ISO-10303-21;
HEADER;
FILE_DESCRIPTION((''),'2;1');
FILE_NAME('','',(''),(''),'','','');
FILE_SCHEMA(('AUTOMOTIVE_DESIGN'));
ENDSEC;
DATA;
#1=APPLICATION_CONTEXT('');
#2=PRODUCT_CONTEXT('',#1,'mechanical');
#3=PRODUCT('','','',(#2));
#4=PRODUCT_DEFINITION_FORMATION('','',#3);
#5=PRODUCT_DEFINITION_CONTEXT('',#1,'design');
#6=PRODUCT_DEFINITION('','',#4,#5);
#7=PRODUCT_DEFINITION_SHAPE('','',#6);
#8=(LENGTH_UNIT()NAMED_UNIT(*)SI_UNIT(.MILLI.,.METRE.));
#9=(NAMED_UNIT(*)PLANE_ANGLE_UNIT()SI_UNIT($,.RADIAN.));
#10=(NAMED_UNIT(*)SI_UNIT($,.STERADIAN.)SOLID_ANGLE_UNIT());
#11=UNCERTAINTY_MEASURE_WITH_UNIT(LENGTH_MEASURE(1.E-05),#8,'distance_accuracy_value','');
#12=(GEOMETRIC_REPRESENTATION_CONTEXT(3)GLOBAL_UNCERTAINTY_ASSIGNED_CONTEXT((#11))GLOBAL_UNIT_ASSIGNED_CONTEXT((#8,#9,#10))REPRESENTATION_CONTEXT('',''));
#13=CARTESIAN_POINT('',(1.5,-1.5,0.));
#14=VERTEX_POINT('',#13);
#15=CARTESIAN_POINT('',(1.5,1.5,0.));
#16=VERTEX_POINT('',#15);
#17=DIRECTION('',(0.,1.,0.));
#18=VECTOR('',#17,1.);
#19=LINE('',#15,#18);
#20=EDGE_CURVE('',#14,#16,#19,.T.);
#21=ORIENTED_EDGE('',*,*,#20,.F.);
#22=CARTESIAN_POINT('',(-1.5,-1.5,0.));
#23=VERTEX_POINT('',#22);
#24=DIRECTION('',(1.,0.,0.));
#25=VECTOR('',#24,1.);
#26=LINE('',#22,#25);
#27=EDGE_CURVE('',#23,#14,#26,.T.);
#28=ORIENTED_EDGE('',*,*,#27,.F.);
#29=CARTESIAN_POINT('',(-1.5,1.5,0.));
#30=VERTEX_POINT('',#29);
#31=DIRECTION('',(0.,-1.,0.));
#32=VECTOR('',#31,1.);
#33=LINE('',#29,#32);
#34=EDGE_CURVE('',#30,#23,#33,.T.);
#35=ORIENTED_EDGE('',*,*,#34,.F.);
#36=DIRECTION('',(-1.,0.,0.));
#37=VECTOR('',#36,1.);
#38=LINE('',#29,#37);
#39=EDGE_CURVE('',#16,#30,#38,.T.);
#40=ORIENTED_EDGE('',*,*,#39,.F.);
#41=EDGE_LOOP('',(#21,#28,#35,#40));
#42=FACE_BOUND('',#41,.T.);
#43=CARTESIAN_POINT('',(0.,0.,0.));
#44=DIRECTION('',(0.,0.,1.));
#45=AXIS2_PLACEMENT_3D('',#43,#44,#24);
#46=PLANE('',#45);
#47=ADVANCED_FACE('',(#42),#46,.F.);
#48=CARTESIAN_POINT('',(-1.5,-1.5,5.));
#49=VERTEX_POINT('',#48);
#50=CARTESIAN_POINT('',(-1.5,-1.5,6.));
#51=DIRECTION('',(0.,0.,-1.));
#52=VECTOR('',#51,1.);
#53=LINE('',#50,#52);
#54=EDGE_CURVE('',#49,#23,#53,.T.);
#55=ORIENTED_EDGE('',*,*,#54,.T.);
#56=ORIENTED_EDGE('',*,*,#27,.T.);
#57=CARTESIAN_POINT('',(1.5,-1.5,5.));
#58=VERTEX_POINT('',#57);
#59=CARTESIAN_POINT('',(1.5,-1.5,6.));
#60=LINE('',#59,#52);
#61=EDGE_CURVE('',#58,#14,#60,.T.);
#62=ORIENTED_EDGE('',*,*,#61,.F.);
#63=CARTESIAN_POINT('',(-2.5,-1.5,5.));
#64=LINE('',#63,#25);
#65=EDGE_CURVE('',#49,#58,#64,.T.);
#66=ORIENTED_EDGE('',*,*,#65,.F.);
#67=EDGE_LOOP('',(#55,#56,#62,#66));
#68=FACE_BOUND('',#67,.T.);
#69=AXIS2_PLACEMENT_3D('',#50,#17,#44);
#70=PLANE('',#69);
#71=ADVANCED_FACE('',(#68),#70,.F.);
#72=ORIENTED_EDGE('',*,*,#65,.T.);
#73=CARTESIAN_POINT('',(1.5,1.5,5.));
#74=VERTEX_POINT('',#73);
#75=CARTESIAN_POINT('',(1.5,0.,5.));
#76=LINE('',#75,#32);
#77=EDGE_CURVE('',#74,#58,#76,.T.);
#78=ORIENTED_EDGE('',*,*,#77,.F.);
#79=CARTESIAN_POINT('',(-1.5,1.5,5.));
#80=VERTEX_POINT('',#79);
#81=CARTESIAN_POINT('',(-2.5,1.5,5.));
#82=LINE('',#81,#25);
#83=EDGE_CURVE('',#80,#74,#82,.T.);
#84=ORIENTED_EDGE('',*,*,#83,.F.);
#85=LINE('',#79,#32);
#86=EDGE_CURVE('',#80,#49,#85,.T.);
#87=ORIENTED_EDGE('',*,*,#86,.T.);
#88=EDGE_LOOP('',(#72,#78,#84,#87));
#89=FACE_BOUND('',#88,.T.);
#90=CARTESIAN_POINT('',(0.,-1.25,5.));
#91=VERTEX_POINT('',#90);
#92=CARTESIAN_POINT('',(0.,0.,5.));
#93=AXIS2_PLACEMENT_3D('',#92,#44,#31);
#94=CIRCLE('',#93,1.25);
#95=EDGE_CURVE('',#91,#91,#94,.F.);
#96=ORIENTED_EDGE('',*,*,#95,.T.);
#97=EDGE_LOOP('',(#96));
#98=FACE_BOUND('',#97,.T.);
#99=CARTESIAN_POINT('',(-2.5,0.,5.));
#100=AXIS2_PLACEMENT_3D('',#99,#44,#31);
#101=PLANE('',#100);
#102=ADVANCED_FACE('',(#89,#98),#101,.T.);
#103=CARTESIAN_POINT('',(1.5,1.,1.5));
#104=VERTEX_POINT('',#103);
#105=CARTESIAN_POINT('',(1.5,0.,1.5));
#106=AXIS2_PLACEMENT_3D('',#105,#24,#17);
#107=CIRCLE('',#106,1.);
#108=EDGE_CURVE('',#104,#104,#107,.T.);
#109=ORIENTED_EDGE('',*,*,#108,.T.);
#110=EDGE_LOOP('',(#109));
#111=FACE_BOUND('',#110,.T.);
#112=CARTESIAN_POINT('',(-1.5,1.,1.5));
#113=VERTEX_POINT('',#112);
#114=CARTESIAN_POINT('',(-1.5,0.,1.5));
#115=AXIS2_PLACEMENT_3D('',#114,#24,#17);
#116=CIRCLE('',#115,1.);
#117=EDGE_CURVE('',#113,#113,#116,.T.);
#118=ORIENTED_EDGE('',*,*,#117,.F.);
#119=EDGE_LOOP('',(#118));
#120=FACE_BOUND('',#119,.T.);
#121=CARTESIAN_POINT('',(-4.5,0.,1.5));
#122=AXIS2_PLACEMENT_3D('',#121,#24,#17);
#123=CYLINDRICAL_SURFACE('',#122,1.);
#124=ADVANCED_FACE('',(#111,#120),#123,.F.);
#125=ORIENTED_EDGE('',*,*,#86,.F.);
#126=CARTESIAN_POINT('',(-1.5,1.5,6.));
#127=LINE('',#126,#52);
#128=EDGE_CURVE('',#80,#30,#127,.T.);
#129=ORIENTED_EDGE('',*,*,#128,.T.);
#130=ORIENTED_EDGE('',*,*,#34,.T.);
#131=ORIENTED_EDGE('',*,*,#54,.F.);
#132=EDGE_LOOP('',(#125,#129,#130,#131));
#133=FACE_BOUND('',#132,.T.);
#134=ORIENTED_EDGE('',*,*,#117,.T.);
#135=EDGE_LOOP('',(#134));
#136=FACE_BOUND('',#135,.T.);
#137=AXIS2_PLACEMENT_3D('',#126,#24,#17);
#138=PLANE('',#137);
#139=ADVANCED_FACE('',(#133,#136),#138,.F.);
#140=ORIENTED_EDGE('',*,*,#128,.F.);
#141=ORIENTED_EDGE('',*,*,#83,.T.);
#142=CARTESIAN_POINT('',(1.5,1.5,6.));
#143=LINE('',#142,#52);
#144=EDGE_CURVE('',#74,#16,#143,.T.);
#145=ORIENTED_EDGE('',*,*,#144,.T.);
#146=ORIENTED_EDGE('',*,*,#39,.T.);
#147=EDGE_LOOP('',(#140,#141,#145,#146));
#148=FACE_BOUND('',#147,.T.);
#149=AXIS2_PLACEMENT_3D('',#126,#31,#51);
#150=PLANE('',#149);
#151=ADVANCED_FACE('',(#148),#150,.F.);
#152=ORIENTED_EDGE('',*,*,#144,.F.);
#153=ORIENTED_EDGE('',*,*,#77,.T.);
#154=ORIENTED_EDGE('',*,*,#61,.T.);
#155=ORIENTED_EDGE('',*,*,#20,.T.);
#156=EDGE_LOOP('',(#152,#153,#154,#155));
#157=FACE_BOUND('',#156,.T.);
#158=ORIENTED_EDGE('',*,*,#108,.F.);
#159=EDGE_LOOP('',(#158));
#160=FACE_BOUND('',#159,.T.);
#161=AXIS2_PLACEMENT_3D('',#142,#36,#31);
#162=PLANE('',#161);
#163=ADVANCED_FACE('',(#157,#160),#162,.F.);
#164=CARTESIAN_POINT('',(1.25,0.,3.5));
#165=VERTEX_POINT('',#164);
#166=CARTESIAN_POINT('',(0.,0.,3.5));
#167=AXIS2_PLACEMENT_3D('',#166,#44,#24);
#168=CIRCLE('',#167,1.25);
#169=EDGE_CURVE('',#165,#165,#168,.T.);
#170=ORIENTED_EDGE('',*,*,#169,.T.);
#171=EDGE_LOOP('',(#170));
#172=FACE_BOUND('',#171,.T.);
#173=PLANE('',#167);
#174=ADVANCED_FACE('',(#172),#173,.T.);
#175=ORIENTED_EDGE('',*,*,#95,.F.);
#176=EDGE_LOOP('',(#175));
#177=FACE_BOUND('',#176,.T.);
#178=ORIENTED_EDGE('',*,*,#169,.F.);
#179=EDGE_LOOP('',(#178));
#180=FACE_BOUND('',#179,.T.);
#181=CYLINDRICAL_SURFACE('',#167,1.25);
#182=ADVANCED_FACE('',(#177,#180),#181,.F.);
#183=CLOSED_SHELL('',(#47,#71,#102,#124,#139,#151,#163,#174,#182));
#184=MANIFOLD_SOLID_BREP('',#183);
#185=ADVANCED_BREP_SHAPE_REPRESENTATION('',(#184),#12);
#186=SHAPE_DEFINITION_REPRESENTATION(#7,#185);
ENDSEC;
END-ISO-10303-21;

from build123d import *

# Parameters (mm, degrees)
SKETCH1_W           = 3
SKETCH1_H           = 3
BOSS_EXTRUDE2_DEPTH = 6
SKETCH2_R           = 1
CUT_EXTRUDE1_DEPTH  = 6
SKETCH3_R           = 1.25
CUT_EXTRUDE2_DEPTH  = 2.5
SKETCH4_W           = 1
SKETCH4_H           = 3
CUT_EXTRUDE21_DEPTH = 4


with BuildPart() as part:
    # Sketch1 → Boss-Extrude2 (new body)
    with BuildSketch(Plane.XY):
        Rectangle(SKETCH1_W, SKETCH1_H)
    extrude(amount=BOSS_EXTRUDE2_DEPTH)

    # Sketch2 → Cut-Extrude1 (cut)
    with BuildSketch(Plane(origin=(1.5, 0, 0), x_dir=(0, 0, -1), z_dir=(1, 0, 0))):
        with Locations(Location((-1.5, 0, 0), (0, 0, 90))):
            Circle(SKETCH2_R)
    extrude(amount=-CUT_EXTRUDE1_DEPTH, mode=Mode.SUBTRACT)

    # Sketch3 → Cut-Extrude2 (cut)
    with BuildSketch(Plane.XY.offset(6)):
        Circle(SKETCH3_R)
    extrude(amount=-CUT_EXTRUDE2_DEPTH, mode=Mode.SUBTRACT)

    # Sketch4 → Cut-Extrude21 (cut)
    with BuildSketch(Plane(origin=(1.5, 0, 0), x_dir=(0, 0, -1), z_dir=(1, 0, 0))):
        with Locations((-5.5, 0)):
            Rectangle(SKETCH4_W, SKETCH4_H)
    extrude(amount=-CUT_EXTRUDE21_DEPTH, mode=Mode.SUBTRACT)


solid = part.part
